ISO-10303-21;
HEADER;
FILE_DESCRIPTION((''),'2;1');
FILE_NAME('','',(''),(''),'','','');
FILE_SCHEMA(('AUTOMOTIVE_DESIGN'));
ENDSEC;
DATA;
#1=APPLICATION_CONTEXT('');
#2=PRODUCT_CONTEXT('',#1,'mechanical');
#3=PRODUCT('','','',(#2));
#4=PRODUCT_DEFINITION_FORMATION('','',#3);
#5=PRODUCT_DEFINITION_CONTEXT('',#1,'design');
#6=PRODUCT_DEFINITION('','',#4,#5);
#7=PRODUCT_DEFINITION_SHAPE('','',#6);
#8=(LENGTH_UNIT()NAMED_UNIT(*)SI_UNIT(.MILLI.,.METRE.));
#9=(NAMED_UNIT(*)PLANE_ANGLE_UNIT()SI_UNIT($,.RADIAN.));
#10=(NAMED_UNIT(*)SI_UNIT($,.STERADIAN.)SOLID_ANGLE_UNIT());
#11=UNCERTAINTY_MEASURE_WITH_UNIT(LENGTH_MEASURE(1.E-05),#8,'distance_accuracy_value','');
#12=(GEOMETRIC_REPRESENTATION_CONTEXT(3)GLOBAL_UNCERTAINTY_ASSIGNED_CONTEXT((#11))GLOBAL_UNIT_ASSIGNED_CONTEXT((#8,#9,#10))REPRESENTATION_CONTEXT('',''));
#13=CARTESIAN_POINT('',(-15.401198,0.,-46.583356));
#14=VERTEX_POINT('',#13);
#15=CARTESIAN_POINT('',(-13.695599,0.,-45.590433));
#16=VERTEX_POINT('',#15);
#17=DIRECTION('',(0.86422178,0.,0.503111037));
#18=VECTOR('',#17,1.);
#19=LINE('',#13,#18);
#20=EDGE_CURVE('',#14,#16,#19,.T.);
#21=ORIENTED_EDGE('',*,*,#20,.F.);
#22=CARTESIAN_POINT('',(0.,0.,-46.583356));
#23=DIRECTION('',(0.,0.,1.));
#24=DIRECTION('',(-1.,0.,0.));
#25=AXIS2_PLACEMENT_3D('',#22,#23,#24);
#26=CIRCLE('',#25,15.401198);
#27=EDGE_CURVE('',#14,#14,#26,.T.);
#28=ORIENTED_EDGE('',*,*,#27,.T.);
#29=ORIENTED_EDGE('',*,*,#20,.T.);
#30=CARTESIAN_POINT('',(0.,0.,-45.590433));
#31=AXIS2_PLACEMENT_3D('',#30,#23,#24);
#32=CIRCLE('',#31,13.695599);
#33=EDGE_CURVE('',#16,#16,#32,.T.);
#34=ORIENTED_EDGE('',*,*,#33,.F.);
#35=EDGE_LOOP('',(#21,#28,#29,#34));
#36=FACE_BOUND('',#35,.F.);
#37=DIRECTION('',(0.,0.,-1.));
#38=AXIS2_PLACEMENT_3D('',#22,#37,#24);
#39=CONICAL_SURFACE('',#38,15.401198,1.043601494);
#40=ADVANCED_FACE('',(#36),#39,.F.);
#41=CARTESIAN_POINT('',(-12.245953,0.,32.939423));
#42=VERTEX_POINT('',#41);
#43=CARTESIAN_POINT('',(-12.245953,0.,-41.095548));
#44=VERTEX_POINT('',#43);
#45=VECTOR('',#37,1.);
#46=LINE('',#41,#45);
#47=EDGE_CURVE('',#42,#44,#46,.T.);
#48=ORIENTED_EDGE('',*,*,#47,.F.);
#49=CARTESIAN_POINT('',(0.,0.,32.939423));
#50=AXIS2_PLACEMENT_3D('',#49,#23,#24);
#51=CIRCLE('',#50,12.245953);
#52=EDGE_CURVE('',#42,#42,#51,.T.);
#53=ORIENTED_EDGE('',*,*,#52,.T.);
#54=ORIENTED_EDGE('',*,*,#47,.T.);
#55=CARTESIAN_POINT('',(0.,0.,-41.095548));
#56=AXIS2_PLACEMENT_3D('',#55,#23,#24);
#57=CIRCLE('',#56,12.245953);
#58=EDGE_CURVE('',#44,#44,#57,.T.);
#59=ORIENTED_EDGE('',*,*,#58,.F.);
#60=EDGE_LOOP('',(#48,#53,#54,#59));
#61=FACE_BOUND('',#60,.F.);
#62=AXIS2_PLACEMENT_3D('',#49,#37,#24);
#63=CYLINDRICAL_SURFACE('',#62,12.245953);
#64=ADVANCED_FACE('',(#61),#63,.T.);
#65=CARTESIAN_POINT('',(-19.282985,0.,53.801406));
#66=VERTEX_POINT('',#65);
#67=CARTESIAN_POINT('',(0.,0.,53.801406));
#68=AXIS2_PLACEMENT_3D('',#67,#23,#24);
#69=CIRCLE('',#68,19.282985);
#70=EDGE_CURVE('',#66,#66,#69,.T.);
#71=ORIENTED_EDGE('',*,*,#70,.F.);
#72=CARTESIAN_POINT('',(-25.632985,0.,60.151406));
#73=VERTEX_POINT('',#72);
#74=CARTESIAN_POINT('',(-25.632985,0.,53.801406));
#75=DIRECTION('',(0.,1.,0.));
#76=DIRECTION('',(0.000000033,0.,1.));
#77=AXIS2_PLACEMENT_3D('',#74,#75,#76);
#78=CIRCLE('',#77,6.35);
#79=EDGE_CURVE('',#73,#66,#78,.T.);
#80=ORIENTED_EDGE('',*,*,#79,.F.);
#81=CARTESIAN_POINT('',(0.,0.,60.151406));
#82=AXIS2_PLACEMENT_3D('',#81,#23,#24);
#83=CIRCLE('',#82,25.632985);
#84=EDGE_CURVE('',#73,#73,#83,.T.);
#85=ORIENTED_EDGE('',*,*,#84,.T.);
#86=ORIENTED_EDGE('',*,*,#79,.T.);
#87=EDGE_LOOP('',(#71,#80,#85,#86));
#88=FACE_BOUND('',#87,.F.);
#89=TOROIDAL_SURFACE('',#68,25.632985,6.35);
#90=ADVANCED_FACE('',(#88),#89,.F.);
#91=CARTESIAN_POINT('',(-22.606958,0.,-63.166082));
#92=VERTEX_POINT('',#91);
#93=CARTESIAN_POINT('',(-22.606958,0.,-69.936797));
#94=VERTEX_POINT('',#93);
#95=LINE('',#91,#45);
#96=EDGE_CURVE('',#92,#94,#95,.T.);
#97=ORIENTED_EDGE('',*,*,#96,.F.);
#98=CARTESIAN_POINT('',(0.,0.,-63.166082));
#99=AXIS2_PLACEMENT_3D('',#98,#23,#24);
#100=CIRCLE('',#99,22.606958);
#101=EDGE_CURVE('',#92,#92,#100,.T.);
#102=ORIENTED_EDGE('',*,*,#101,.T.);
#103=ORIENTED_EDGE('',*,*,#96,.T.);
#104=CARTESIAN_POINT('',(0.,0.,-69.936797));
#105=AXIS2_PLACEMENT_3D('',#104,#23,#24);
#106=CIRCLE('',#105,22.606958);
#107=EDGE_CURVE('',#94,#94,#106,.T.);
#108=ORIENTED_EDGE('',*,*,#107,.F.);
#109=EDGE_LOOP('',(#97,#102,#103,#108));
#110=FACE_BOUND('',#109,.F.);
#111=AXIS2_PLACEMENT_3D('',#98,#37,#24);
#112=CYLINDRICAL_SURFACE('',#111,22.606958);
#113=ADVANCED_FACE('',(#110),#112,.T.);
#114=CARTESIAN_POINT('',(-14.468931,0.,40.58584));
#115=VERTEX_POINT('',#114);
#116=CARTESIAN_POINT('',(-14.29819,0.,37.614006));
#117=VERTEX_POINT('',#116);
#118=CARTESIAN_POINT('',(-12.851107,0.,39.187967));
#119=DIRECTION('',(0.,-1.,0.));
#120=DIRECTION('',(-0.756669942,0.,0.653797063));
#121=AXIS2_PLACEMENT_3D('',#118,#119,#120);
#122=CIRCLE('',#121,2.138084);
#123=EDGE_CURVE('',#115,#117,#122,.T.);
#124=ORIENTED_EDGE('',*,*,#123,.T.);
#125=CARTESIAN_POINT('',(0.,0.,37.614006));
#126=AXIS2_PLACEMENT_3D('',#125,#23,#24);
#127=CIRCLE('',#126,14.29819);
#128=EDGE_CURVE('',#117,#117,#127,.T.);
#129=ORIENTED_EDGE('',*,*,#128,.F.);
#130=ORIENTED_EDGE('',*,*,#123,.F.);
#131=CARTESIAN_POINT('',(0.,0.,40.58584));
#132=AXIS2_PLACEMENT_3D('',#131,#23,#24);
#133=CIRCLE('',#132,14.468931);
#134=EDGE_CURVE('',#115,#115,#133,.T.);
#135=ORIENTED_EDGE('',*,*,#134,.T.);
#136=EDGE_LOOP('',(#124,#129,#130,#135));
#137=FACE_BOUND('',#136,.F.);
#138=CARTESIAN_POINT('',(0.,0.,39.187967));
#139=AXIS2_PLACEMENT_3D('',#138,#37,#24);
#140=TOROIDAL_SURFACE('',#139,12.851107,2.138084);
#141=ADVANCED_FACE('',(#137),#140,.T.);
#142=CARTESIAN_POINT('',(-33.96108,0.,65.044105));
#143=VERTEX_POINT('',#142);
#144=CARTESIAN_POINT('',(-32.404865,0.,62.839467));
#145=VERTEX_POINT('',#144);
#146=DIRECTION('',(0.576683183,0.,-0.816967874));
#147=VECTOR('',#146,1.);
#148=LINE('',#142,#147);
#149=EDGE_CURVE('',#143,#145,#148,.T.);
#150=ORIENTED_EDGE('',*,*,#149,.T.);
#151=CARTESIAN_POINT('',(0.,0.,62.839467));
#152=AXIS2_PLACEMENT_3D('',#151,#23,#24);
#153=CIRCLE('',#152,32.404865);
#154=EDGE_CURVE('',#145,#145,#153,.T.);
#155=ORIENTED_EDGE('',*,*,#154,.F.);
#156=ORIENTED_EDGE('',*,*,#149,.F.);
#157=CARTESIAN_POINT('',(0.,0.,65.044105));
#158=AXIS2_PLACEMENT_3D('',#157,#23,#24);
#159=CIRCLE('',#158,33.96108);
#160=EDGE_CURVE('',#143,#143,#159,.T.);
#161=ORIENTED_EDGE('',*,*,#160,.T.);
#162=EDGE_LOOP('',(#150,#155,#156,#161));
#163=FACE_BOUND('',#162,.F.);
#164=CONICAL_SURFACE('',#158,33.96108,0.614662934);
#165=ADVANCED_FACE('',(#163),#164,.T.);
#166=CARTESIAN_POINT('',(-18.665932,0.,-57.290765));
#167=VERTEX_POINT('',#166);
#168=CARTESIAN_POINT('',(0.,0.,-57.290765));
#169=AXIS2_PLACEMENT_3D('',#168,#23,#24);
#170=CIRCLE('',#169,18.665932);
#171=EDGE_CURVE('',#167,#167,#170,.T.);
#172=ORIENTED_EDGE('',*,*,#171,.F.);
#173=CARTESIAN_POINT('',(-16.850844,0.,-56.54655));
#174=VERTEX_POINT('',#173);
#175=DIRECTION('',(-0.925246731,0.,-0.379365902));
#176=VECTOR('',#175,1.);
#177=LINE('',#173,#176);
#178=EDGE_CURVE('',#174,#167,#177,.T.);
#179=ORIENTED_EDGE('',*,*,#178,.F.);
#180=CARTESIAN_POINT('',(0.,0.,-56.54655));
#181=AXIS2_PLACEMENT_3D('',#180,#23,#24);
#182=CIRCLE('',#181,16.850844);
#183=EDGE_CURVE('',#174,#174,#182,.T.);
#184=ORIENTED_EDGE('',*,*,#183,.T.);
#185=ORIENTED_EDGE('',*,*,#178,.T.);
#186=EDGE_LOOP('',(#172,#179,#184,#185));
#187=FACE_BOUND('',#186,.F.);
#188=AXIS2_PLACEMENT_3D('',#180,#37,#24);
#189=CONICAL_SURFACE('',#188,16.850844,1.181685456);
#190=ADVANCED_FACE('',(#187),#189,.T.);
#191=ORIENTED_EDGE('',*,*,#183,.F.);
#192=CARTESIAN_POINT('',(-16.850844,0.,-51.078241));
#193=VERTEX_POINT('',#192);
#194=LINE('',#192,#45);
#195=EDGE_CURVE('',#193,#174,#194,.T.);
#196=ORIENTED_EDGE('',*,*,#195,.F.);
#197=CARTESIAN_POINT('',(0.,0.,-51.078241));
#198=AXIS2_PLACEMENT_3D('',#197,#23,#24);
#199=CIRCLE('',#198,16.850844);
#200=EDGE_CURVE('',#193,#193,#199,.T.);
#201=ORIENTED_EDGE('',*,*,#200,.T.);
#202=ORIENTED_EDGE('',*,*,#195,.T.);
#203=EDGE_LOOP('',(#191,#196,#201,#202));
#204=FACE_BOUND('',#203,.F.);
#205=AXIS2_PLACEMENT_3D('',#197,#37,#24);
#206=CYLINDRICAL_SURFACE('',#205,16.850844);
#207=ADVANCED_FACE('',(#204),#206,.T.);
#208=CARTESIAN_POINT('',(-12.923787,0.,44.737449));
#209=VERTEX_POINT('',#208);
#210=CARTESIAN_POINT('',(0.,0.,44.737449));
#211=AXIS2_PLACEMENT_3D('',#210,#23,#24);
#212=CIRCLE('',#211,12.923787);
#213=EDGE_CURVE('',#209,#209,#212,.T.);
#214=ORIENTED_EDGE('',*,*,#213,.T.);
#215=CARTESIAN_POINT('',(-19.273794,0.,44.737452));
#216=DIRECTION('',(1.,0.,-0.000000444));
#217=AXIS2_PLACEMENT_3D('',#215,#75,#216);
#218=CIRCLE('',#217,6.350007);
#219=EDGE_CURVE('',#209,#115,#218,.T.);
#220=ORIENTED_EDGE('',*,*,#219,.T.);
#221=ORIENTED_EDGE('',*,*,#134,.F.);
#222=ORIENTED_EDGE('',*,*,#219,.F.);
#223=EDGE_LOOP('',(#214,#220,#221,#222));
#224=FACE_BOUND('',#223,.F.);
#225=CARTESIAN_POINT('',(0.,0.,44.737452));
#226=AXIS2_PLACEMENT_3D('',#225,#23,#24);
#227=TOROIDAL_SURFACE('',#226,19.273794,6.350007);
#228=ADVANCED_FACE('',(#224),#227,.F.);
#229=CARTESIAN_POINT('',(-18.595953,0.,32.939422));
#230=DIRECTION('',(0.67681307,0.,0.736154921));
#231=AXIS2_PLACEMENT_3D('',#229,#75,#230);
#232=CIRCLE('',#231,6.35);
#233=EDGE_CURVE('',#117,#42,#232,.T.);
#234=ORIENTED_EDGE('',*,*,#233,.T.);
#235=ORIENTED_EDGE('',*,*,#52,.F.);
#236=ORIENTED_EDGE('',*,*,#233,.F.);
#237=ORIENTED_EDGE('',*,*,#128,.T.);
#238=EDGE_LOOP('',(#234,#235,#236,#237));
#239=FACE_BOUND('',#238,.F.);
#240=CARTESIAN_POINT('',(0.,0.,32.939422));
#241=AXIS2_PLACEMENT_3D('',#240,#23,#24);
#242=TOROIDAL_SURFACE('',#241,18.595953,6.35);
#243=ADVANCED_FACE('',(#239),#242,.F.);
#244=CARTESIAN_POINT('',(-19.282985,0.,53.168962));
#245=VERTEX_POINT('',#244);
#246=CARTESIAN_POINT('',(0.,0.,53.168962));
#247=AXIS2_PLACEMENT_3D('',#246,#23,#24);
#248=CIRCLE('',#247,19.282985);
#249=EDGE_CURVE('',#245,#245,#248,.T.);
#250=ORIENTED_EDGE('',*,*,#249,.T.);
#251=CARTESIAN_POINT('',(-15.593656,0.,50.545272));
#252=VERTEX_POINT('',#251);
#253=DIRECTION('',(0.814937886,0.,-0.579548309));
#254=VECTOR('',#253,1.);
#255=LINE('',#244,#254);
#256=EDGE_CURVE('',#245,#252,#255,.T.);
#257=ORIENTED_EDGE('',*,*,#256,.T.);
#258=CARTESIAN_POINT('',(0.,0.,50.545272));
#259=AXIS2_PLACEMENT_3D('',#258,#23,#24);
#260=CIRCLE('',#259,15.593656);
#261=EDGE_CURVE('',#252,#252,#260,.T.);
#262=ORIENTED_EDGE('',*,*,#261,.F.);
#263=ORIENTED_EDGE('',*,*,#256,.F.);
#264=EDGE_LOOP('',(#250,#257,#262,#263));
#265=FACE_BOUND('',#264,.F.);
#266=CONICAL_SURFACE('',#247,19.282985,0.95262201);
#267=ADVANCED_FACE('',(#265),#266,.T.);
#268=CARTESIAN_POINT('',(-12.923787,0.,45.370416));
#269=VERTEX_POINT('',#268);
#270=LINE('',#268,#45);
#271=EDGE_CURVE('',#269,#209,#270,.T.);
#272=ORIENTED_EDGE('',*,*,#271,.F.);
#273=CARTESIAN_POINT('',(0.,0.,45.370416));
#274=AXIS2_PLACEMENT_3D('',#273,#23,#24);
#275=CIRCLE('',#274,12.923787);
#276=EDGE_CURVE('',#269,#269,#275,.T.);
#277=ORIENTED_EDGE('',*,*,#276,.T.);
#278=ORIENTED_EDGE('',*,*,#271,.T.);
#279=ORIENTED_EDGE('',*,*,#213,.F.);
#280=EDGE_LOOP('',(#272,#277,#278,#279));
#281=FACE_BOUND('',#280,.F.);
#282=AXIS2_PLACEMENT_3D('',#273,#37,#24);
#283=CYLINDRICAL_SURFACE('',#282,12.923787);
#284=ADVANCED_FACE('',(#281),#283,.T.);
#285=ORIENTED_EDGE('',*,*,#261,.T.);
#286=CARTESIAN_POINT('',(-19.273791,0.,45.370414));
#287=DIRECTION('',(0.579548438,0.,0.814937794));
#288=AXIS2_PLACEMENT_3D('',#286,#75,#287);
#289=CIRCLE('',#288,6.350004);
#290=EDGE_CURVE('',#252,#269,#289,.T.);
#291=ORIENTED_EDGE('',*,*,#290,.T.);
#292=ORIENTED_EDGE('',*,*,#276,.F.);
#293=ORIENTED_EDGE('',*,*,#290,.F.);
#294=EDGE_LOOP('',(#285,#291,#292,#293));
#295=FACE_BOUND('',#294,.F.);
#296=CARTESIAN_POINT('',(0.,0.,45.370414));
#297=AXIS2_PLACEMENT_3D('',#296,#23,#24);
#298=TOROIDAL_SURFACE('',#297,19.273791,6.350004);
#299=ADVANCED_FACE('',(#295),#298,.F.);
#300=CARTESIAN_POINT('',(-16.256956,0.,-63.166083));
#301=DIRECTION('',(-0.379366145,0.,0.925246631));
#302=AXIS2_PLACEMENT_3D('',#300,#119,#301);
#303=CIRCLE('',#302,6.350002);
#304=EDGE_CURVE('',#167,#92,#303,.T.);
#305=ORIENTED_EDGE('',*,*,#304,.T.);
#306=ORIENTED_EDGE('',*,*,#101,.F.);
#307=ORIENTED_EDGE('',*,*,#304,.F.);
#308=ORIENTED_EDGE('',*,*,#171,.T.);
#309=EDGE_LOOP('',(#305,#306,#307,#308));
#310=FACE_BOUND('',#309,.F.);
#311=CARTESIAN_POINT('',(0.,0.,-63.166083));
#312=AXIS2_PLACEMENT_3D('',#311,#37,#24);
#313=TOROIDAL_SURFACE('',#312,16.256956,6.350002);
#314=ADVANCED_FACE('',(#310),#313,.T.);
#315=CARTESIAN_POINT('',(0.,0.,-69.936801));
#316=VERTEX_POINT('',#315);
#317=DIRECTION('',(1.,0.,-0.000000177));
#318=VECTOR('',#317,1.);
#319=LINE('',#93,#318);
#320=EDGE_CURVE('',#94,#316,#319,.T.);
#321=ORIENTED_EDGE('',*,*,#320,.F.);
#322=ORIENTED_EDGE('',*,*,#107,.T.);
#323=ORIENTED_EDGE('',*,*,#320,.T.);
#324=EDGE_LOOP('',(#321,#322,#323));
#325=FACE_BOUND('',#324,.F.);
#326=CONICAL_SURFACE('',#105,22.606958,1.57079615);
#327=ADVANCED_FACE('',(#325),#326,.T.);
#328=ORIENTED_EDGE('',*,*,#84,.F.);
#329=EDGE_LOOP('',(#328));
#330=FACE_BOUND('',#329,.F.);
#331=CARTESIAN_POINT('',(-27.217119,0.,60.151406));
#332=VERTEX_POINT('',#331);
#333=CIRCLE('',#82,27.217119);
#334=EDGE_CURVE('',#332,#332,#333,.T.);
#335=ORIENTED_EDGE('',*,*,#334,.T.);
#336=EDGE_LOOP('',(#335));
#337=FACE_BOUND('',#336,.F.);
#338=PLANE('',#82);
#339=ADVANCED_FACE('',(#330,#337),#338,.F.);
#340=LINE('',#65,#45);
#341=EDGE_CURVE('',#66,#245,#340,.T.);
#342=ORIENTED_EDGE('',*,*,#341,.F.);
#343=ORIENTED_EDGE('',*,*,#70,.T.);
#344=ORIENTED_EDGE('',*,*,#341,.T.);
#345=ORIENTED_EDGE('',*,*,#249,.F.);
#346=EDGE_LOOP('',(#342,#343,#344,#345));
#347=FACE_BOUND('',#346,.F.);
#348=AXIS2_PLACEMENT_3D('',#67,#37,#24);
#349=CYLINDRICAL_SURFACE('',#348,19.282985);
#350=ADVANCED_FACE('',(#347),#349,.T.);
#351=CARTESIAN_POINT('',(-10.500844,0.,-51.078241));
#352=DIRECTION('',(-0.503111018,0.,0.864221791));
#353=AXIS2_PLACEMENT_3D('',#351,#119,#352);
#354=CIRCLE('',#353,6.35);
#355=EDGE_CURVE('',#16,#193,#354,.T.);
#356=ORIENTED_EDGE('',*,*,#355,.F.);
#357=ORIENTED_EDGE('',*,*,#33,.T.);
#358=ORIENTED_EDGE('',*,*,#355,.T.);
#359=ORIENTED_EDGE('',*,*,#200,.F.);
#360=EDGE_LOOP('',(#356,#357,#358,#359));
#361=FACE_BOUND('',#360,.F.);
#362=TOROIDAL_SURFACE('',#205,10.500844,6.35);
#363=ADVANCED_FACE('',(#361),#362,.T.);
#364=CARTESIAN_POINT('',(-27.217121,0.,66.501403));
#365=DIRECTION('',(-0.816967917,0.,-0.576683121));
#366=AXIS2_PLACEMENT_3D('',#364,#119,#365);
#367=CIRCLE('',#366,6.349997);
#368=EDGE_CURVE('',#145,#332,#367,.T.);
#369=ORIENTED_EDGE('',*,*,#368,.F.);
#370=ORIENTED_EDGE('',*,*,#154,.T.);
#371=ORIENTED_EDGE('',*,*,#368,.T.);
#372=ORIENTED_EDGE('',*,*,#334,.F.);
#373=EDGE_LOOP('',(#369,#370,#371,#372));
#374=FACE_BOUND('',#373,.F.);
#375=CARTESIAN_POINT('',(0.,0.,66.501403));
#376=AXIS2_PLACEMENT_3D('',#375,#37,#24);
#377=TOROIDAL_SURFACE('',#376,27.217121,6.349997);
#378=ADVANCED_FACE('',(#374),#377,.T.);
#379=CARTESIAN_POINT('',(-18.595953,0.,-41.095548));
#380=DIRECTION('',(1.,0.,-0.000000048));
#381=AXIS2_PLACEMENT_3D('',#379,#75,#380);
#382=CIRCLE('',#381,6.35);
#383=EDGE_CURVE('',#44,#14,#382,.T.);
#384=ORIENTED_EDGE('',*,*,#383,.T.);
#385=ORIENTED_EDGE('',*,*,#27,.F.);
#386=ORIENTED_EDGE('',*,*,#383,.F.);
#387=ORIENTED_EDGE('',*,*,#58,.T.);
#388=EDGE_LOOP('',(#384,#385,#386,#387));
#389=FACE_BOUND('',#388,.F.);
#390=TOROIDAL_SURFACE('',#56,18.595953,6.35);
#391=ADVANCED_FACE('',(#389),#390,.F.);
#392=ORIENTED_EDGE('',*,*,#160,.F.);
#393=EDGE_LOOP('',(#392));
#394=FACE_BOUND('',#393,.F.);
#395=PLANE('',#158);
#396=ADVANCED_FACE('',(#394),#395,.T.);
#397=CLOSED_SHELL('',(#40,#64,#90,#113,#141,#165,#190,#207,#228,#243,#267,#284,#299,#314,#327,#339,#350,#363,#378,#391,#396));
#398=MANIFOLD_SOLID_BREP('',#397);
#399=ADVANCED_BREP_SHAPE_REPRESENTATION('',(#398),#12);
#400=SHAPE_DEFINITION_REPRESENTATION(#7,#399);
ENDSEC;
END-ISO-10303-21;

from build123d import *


with BuildPart() as f1:
    # F0 (on Front) → F1 (revolve)
    with BuildSketch(Plane.XZ):
        with BuildLine():
            ThreePointArc((-14.29819, 37.614006), (-12.781605, 35.49204), (-12.245953, 32.939423))
            Line((-12.245953, 32.939423), (-12.245953, -41.095548))
            ThreePointArc((-12.245953, -41.095548), (-13.090992, -44.260655), (-15.401198, -46.583356))
            Line((-15.401198, -46.583356), (-13.695599, -45.590433))
            ThreePointArc((-13.695599, -45.590433), (-16.005805, -47.913134), (-16.850844, -51.078241))
            Line((-16.850844, -51.078241), (-16.850844, -56.54655))
            Line((-16.850844, -56.54655), (-18.665932, -57.290765))
            ThreePointArc((-18.665932, -57.290765), (-21.530452, -59.628744), (-22.606958, -63.166082))
            Line((-22.606958, -63.166082), (-22.606958, -69.936797))
            Line((-22.606958, -69.936797), (0, -69.936801))
            Line((0, -69.936801), (0, 56.122124))
            Line((0, 56.122124), (0, 65.044105))
            Line((0, 65.044105), (-33.96108, 65.044105))
            Line((-33.96108, 65.044105), (-32.404865, 62.839467))
            ThreePointArc((-32.404865, 62.839467), (-30.138522, 60.863329), (-27.217119, 60.151406))
            Line((-27.217119, 60.151406), (-25.632985, 60.151406))
            ThreePointArc((-25.632985, 60.151406), (-21.142857, 58.291534), (-19.282985, 53.801406))
            Line((-19.282985, 53.801406), (-19.282985, 53.168962))
            Line((-19.282985, 53.168962), (-15.593656, 50.545272))
            ThreePointArc((-15.593656, 50.545272), (-13.630591, 48.281916), (-12.923787, 45.370416))
            Line((-12.923787, 45.370416), (-12.923787, 44.737449))
            ThreePointArc((-12.923787, 44.737449), (-13.322597, 42.522538), (-14.468931, 40.58584))
            ThreePointArc((-14.468931, 40.58584), (-14.985671, 39.06533), (-14.29819, 37.614006))
        make_face()
    revolve(axis=Axis((0, 0, -6.907338), (0, 0, 1)))


solid = f1.part
